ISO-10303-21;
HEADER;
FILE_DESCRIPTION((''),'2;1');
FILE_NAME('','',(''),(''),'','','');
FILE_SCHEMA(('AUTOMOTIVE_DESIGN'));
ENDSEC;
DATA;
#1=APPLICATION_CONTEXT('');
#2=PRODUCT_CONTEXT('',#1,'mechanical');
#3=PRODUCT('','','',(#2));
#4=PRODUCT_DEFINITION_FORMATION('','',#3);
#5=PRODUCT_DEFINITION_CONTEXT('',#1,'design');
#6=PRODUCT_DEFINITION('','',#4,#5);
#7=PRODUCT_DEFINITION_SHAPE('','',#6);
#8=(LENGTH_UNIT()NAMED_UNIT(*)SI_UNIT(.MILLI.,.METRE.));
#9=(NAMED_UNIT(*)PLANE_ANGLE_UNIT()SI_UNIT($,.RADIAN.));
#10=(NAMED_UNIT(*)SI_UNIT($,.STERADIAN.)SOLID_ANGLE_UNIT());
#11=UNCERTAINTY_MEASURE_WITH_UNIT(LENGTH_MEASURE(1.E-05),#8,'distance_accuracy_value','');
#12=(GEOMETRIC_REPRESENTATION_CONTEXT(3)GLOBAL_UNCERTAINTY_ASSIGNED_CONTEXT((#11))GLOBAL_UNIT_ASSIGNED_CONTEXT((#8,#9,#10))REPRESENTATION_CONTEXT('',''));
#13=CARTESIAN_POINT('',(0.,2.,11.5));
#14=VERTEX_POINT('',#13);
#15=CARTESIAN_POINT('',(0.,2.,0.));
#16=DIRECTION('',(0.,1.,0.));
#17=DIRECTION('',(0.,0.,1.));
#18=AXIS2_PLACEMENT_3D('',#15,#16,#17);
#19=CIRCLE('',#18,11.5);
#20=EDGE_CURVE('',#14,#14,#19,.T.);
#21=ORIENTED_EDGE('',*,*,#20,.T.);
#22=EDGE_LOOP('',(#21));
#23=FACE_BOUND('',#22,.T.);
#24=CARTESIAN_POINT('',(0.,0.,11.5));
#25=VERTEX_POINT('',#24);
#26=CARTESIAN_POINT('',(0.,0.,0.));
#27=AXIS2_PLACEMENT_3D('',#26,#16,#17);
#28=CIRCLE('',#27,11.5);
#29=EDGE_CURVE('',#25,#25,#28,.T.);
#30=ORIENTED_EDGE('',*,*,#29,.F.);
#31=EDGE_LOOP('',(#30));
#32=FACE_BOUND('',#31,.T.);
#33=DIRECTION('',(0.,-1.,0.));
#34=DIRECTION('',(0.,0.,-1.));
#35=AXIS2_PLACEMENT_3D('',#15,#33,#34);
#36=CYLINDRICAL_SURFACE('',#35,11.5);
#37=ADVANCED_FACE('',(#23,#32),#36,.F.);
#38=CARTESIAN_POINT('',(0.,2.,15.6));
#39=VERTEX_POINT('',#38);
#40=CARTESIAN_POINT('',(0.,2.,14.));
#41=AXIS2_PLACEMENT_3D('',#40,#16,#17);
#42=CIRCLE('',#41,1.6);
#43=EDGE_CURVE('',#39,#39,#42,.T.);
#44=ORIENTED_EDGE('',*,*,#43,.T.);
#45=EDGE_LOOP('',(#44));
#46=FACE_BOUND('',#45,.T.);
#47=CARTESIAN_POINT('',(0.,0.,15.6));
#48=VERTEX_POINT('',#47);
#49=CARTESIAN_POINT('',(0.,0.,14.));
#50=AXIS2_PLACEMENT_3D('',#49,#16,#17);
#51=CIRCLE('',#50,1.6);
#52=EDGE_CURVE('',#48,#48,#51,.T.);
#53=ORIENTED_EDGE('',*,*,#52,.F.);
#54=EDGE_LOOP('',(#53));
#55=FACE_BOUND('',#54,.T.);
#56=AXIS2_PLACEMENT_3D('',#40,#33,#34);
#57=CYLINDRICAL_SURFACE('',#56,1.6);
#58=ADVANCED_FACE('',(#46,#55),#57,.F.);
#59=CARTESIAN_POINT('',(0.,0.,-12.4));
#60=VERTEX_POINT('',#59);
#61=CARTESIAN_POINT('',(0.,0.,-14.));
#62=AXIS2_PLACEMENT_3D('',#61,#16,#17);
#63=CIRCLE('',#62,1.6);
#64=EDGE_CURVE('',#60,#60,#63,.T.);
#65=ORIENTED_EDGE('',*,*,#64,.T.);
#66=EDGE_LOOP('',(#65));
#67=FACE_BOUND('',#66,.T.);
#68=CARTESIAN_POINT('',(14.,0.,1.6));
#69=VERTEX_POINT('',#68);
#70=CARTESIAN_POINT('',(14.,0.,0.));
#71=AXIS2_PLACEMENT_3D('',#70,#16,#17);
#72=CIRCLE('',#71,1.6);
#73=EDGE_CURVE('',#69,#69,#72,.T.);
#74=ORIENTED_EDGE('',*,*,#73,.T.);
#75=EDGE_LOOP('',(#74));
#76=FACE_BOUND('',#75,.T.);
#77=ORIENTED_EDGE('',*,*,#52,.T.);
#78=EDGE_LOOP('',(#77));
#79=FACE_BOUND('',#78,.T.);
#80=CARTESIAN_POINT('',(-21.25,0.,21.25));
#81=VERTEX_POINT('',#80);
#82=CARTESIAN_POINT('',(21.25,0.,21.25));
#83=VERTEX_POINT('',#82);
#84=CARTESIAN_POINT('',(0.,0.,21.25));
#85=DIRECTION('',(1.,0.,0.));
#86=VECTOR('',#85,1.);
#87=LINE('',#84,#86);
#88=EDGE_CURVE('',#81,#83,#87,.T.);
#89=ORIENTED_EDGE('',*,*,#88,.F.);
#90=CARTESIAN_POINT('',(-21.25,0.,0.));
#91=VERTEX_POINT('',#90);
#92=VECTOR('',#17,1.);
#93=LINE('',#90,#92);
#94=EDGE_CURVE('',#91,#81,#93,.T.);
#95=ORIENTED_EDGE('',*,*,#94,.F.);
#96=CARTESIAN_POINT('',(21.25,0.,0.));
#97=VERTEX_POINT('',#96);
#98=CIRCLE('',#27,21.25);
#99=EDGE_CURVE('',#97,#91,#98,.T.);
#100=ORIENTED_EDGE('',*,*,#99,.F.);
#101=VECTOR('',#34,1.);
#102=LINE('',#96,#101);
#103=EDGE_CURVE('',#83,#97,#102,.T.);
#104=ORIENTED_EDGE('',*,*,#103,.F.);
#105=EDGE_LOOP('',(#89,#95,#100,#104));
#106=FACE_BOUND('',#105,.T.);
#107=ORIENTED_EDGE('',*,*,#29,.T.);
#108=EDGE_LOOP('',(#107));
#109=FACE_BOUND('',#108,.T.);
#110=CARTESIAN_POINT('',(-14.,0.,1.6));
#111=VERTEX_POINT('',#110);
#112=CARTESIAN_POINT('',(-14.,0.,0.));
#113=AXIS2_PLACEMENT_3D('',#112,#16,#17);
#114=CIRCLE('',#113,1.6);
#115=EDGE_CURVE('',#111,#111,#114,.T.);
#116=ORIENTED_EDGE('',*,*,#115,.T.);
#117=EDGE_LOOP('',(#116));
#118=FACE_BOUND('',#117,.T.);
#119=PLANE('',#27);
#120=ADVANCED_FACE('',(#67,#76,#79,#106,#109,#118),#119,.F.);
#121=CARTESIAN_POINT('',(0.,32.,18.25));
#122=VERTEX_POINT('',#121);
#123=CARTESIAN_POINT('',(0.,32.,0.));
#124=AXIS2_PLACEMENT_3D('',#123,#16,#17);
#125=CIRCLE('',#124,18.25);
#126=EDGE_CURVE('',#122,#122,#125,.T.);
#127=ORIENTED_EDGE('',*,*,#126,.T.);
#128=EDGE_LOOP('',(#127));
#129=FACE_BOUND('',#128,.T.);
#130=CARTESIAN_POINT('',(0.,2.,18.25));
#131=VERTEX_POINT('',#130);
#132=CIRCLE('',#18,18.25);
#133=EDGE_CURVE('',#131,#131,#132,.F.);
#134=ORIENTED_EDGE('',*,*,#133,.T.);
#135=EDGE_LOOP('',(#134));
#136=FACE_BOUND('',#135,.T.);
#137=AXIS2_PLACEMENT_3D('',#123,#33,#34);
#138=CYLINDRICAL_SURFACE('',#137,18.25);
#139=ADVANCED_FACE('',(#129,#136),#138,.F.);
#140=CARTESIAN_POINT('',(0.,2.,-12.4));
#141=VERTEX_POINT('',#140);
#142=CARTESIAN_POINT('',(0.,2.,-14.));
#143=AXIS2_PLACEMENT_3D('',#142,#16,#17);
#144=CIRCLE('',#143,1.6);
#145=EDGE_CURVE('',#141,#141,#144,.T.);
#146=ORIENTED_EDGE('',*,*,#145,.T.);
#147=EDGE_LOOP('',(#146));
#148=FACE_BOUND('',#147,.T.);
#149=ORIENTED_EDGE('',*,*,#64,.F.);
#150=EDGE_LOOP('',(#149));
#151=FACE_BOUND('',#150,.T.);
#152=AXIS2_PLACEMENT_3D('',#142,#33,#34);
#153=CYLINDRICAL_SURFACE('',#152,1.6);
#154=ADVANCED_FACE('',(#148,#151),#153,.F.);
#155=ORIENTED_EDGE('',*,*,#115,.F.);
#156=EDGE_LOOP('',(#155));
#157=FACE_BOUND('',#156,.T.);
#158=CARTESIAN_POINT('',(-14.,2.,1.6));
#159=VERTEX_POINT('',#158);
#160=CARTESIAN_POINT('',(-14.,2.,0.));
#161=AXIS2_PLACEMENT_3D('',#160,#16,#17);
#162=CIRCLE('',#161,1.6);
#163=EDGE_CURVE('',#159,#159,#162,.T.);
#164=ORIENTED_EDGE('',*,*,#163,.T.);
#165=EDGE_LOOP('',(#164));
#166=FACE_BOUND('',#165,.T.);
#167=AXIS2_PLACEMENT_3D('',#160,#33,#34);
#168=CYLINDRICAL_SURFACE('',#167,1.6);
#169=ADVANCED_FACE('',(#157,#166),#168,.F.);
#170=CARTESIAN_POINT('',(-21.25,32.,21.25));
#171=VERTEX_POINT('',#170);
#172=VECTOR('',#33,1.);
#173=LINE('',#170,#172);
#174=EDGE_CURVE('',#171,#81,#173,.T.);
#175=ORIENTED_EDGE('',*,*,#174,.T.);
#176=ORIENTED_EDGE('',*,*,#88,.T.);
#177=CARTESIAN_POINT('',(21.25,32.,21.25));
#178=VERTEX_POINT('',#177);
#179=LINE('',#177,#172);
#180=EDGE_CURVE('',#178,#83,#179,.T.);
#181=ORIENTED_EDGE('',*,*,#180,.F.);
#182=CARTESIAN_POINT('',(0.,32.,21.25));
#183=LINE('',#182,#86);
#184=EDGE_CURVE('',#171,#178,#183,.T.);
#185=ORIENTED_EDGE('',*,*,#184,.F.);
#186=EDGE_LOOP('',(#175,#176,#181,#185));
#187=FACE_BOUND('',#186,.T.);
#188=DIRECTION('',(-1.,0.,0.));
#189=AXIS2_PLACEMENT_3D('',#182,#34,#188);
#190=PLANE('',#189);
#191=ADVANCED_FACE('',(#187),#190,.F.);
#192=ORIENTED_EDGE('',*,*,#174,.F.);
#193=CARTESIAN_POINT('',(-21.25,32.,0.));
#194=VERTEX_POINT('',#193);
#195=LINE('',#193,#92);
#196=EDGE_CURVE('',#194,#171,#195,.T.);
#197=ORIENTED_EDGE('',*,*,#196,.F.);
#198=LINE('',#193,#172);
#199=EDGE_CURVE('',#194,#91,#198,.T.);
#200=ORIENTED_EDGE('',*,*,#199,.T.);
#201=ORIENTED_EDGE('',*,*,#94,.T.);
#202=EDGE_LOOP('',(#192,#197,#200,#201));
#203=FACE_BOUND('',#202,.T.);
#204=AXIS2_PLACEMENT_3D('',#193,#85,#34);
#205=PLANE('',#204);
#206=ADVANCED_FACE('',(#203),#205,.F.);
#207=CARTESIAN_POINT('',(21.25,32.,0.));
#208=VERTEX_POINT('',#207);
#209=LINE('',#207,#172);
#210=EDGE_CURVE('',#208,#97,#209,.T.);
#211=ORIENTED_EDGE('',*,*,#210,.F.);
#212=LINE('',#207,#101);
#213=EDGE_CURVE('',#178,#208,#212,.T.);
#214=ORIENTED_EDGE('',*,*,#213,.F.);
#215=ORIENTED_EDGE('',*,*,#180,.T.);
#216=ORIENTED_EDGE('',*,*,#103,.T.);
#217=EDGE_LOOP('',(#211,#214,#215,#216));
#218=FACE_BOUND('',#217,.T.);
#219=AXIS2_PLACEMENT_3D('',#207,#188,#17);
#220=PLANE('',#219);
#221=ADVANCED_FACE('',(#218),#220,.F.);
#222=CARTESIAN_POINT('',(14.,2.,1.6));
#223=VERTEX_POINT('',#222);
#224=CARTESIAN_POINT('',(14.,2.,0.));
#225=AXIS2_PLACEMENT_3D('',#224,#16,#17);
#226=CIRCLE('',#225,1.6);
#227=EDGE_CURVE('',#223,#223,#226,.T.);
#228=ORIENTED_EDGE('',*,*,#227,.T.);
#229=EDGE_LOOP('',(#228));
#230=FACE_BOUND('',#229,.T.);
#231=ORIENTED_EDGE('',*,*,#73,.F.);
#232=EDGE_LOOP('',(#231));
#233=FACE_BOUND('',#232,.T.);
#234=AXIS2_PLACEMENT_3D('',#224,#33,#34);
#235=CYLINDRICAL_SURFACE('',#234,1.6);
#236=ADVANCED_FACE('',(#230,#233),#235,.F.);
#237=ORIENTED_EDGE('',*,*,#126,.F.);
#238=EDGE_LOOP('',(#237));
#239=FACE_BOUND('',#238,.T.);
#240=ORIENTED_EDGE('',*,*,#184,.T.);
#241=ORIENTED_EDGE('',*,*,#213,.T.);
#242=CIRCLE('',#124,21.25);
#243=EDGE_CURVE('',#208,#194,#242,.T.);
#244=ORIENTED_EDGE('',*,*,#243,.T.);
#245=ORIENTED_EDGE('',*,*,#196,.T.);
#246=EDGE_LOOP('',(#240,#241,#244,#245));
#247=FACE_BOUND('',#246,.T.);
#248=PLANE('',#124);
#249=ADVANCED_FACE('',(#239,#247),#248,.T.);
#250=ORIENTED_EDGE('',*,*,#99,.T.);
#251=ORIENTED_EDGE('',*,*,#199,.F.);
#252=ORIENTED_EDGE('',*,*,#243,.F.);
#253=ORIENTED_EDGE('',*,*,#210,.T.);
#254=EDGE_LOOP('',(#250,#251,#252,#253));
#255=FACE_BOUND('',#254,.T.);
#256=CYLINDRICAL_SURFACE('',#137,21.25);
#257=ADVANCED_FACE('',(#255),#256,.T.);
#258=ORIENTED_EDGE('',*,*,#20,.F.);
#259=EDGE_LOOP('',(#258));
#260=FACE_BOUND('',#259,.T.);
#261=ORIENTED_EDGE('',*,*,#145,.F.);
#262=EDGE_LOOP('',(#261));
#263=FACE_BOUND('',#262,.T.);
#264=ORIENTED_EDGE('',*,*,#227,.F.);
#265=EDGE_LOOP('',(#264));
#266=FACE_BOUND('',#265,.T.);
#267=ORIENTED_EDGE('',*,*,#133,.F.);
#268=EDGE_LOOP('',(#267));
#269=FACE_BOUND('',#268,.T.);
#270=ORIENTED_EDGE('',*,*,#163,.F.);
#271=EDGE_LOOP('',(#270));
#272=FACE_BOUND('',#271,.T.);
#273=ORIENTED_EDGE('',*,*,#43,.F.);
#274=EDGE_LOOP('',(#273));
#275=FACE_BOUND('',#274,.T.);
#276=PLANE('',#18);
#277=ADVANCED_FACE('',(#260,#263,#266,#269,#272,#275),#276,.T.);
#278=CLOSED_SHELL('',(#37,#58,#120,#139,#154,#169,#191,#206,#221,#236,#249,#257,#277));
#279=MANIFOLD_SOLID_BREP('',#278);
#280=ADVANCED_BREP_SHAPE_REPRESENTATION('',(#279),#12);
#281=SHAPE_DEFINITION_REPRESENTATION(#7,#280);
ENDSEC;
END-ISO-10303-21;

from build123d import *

# Parameters (mm, degrees)
SKETCH1_R           = 18.25
SKETCH1_R_2         = 1.6
SKETCH1_R_3         = 11.5
BOSS_EXTRUDE1_DEPTH = 2
SKETCH1_3_R         = 21.25
SKETCH1_3_R_2       = 18.25
BOSS_EXTRUDE2_DEPTH = 32
BOSS_EXTRUDE3_DEPTH = 32


with BuildPart() as part:
    # Sketch1 → Boss-Extrude1 (new body)
    with BuildSketch(Plane(origin=(0, 0, 0), x_dir=(1, 0, 0), z_dir=(0, 1, 0))):
        Circle(SKETCH1_R)
        with Locations((-14, 0)):
            Circle(SKETCH1_R_2, mode=Mode.SUBTRACT)
        with Locations((0, -14)):
            Circle(SKETCH1_R_2, mode=Mode.SUBTRACT)
        Circle(SKETCH1_R_3, mode=Mode.SUBTRACT)
        with Locations((14, 0)):
            Circle(SKETCH1_R_2, mode=Mode.SUBTRACT)
        with Locations((0, 14)):
            Circle(SKETCH1_R_2, mode=Mode.SUBTRACT)
    extrude(amount=BOSS_EXTRUDE1_DEPTH)

    # Sketch1<3> → Boss-Extrude2 (add)
    with BuildSketch(Plane(origin=(0, 0, 0), x_dir=(1, 0, 0), z_dir=(0, 1, 0))):
        Circle(SKETCH1_3_R)
        Circle(SKETCH1_3_R_2, mode=Mode.SUBTRACT)
    extrude(amount=BOSS_EXTRUDE2_DEPTH)

    # Sketch2 → Boss-Extrude3 (add)
    with BuildSketch(Plane(origin=(0, 0, 0), x_dir=(1, 0, 0), z_dir=(0, 1, 0))):
        with BuildLine():
            ThreePointArc((5.4e-08, -21.25), (-15.026019081, -15.026019119), (-21.25, 0))
            Line((-21.25, 0), (-21.25, -21.25))
            Line((-21.25, -21.25), (5.4e-08, -21.25))
        make_face()
        with BuildLine():
            Line((21.25, -21.25), (21.25, 0))
            ThreePointArc((21.25, 0), (15.026019119, -15.026019081), (5.4e-08, -21.25))
            Line((5.4e-08, -21.25), (21.25, -21.25))
        make_face()
    extrude(amount=BOSS_EXTRUDE3_DEPTH)


solid = part.part
